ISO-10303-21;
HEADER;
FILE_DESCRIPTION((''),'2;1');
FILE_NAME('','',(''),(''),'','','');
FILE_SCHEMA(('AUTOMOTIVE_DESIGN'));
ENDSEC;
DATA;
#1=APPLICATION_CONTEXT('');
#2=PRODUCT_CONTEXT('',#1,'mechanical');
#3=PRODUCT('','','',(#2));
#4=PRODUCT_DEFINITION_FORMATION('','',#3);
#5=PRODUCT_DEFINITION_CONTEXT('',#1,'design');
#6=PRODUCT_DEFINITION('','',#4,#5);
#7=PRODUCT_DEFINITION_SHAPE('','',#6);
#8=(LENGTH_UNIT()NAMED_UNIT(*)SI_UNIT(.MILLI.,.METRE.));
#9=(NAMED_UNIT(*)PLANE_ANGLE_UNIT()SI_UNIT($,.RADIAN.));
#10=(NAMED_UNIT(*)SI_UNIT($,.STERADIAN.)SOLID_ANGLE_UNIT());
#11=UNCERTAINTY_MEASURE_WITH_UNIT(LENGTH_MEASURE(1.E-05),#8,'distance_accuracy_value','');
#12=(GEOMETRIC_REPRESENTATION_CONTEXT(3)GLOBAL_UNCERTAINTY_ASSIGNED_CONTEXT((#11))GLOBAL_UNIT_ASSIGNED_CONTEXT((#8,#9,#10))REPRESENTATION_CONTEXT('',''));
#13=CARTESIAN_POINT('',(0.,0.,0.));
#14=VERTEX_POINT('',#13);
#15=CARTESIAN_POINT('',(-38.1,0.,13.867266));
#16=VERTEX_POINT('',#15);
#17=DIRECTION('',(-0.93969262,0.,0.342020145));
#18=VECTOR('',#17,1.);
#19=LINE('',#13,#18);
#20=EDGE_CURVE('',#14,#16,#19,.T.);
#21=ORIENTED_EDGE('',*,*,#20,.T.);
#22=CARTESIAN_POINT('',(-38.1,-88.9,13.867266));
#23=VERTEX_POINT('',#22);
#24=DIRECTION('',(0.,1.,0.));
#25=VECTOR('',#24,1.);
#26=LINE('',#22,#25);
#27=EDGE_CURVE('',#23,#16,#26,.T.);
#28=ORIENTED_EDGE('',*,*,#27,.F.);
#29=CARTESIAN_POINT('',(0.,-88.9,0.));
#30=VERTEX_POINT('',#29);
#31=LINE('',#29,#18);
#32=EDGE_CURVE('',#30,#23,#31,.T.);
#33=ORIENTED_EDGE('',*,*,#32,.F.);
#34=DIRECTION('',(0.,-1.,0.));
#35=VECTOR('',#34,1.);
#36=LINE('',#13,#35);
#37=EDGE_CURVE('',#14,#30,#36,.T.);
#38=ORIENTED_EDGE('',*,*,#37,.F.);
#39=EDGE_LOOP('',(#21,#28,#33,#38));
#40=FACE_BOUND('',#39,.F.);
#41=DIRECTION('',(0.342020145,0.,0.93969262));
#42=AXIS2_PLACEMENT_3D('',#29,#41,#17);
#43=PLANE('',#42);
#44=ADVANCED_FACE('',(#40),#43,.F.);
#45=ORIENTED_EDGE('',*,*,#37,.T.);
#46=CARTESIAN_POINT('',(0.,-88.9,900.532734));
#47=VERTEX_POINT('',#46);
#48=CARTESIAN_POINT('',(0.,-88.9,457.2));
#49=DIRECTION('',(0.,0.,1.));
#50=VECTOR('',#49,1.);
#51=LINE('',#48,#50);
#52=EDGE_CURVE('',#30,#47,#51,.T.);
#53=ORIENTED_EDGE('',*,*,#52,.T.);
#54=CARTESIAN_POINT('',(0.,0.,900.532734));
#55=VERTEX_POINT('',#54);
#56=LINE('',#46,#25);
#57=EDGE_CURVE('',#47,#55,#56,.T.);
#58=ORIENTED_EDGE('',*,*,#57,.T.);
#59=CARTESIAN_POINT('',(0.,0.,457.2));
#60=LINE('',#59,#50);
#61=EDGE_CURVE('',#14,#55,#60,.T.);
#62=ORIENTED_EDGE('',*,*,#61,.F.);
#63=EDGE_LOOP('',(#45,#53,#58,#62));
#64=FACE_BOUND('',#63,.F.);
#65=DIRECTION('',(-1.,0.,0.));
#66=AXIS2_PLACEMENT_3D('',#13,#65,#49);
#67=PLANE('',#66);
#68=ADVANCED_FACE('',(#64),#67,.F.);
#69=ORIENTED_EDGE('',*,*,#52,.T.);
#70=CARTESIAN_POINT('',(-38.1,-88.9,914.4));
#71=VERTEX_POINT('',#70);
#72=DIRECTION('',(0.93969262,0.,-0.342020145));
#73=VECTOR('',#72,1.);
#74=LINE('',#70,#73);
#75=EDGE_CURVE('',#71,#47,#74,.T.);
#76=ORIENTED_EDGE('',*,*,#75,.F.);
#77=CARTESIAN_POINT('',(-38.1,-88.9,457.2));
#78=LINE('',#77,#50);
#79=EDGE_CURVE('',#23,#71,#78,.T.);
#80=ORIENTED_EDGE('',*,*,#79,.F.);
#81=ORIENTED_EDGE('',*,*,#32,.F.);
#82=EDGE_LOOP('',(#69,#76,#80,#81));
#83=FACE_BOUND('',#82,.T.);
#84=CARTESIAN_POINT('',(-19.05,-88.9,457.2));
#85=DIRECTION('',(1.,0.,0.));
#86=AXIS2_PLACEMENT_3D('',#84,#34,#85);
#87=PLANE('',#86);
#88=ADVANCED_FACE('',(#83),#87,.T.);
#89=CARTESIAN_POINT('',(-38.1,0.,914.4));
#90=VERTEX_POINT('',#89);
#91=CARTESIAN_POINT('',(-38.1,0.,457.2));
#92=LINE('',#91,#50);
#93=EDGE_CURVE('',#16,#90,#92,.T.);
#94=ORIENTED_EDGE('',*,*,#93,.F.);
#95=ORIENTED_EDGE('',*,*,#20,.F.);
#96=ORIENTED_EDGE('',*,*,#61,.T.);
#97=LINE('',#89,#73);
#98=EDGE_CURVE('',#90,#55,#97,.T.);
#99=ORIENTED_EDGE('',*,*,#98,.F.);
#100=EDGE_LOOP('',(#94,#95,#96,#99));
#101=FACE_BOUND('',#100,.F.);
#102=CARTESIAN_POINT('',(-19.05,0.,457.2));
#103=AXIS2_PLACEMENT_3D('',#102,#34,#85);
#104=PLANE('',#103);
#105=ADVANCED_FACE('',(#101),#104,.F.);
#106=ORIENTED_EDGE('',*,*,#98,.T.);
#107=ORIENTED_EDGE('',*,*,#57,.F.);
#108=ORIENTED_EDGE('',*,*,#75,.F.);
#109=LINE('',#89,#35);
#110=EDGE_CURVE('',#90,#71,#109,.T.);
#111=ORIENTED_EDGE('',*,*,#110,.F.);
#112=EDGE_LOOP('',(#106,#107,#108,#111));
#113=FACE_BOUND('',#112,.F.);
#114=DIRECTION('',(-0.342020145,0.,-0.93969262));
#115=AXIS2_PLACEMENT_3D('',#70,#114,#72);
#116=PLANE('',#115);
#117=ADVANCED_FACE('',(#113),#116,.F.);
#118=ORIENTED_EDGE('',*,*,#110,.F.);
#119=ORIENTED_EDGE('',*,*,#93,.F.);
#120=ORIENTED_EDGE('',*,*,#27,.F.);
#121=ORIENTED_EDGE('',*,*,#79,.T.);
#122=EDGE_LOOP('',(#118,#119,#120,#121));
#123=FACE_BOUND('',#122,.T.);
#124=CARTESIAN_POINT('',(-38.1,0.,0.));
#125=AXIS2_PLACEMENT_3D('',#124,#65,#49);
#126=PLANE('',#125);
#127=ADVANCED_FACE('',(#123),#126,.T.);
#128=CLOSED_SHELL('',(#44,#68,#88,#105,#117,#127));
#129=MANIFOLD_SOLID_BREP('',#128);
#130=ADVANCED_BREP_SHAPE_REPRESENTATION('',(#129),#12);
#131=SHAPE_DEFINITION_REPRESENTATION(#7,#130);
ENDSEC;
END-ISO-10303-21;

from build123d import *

# Parameters (mm, degrees)
F0_W     = 38.1
F0_H     = 914.4
F1_DEPTH = 88.9
F3_DEPTH = 88.9
F5_DEPTH = 88.9


with BuildPart() as f1:
    # F0 (on Front) → F1 (new body)
    with BuildSketch(Plane.XZ):
        with Locations((-19.05, 457.2)):
            Rectangle(F0_W, F0_H)
    extrude(amount=F1_DEPTH)

    # F2 (on face) → F3 (cut)
    with BuildSketch(Plane.XZ.offset(88.9)):
        Polygon((0, 914.4), (-38.1, 914.4), (0, 900.532734), align=None)
    extrude(amount=-F3_DEPTH, mode=Mode.SUBTRACT)

    # F4 (on face) → F5 (cut)
    with BuildSketch(Plane.XZ.offset(88.9)):
        Polygon((-38.1, 0), (0, 0), (-38.1, 13.867266), align=None)
    extrude(amount=-F5_DEPTH, mode=Mode.SUBTRACT)


solid = f1.part
